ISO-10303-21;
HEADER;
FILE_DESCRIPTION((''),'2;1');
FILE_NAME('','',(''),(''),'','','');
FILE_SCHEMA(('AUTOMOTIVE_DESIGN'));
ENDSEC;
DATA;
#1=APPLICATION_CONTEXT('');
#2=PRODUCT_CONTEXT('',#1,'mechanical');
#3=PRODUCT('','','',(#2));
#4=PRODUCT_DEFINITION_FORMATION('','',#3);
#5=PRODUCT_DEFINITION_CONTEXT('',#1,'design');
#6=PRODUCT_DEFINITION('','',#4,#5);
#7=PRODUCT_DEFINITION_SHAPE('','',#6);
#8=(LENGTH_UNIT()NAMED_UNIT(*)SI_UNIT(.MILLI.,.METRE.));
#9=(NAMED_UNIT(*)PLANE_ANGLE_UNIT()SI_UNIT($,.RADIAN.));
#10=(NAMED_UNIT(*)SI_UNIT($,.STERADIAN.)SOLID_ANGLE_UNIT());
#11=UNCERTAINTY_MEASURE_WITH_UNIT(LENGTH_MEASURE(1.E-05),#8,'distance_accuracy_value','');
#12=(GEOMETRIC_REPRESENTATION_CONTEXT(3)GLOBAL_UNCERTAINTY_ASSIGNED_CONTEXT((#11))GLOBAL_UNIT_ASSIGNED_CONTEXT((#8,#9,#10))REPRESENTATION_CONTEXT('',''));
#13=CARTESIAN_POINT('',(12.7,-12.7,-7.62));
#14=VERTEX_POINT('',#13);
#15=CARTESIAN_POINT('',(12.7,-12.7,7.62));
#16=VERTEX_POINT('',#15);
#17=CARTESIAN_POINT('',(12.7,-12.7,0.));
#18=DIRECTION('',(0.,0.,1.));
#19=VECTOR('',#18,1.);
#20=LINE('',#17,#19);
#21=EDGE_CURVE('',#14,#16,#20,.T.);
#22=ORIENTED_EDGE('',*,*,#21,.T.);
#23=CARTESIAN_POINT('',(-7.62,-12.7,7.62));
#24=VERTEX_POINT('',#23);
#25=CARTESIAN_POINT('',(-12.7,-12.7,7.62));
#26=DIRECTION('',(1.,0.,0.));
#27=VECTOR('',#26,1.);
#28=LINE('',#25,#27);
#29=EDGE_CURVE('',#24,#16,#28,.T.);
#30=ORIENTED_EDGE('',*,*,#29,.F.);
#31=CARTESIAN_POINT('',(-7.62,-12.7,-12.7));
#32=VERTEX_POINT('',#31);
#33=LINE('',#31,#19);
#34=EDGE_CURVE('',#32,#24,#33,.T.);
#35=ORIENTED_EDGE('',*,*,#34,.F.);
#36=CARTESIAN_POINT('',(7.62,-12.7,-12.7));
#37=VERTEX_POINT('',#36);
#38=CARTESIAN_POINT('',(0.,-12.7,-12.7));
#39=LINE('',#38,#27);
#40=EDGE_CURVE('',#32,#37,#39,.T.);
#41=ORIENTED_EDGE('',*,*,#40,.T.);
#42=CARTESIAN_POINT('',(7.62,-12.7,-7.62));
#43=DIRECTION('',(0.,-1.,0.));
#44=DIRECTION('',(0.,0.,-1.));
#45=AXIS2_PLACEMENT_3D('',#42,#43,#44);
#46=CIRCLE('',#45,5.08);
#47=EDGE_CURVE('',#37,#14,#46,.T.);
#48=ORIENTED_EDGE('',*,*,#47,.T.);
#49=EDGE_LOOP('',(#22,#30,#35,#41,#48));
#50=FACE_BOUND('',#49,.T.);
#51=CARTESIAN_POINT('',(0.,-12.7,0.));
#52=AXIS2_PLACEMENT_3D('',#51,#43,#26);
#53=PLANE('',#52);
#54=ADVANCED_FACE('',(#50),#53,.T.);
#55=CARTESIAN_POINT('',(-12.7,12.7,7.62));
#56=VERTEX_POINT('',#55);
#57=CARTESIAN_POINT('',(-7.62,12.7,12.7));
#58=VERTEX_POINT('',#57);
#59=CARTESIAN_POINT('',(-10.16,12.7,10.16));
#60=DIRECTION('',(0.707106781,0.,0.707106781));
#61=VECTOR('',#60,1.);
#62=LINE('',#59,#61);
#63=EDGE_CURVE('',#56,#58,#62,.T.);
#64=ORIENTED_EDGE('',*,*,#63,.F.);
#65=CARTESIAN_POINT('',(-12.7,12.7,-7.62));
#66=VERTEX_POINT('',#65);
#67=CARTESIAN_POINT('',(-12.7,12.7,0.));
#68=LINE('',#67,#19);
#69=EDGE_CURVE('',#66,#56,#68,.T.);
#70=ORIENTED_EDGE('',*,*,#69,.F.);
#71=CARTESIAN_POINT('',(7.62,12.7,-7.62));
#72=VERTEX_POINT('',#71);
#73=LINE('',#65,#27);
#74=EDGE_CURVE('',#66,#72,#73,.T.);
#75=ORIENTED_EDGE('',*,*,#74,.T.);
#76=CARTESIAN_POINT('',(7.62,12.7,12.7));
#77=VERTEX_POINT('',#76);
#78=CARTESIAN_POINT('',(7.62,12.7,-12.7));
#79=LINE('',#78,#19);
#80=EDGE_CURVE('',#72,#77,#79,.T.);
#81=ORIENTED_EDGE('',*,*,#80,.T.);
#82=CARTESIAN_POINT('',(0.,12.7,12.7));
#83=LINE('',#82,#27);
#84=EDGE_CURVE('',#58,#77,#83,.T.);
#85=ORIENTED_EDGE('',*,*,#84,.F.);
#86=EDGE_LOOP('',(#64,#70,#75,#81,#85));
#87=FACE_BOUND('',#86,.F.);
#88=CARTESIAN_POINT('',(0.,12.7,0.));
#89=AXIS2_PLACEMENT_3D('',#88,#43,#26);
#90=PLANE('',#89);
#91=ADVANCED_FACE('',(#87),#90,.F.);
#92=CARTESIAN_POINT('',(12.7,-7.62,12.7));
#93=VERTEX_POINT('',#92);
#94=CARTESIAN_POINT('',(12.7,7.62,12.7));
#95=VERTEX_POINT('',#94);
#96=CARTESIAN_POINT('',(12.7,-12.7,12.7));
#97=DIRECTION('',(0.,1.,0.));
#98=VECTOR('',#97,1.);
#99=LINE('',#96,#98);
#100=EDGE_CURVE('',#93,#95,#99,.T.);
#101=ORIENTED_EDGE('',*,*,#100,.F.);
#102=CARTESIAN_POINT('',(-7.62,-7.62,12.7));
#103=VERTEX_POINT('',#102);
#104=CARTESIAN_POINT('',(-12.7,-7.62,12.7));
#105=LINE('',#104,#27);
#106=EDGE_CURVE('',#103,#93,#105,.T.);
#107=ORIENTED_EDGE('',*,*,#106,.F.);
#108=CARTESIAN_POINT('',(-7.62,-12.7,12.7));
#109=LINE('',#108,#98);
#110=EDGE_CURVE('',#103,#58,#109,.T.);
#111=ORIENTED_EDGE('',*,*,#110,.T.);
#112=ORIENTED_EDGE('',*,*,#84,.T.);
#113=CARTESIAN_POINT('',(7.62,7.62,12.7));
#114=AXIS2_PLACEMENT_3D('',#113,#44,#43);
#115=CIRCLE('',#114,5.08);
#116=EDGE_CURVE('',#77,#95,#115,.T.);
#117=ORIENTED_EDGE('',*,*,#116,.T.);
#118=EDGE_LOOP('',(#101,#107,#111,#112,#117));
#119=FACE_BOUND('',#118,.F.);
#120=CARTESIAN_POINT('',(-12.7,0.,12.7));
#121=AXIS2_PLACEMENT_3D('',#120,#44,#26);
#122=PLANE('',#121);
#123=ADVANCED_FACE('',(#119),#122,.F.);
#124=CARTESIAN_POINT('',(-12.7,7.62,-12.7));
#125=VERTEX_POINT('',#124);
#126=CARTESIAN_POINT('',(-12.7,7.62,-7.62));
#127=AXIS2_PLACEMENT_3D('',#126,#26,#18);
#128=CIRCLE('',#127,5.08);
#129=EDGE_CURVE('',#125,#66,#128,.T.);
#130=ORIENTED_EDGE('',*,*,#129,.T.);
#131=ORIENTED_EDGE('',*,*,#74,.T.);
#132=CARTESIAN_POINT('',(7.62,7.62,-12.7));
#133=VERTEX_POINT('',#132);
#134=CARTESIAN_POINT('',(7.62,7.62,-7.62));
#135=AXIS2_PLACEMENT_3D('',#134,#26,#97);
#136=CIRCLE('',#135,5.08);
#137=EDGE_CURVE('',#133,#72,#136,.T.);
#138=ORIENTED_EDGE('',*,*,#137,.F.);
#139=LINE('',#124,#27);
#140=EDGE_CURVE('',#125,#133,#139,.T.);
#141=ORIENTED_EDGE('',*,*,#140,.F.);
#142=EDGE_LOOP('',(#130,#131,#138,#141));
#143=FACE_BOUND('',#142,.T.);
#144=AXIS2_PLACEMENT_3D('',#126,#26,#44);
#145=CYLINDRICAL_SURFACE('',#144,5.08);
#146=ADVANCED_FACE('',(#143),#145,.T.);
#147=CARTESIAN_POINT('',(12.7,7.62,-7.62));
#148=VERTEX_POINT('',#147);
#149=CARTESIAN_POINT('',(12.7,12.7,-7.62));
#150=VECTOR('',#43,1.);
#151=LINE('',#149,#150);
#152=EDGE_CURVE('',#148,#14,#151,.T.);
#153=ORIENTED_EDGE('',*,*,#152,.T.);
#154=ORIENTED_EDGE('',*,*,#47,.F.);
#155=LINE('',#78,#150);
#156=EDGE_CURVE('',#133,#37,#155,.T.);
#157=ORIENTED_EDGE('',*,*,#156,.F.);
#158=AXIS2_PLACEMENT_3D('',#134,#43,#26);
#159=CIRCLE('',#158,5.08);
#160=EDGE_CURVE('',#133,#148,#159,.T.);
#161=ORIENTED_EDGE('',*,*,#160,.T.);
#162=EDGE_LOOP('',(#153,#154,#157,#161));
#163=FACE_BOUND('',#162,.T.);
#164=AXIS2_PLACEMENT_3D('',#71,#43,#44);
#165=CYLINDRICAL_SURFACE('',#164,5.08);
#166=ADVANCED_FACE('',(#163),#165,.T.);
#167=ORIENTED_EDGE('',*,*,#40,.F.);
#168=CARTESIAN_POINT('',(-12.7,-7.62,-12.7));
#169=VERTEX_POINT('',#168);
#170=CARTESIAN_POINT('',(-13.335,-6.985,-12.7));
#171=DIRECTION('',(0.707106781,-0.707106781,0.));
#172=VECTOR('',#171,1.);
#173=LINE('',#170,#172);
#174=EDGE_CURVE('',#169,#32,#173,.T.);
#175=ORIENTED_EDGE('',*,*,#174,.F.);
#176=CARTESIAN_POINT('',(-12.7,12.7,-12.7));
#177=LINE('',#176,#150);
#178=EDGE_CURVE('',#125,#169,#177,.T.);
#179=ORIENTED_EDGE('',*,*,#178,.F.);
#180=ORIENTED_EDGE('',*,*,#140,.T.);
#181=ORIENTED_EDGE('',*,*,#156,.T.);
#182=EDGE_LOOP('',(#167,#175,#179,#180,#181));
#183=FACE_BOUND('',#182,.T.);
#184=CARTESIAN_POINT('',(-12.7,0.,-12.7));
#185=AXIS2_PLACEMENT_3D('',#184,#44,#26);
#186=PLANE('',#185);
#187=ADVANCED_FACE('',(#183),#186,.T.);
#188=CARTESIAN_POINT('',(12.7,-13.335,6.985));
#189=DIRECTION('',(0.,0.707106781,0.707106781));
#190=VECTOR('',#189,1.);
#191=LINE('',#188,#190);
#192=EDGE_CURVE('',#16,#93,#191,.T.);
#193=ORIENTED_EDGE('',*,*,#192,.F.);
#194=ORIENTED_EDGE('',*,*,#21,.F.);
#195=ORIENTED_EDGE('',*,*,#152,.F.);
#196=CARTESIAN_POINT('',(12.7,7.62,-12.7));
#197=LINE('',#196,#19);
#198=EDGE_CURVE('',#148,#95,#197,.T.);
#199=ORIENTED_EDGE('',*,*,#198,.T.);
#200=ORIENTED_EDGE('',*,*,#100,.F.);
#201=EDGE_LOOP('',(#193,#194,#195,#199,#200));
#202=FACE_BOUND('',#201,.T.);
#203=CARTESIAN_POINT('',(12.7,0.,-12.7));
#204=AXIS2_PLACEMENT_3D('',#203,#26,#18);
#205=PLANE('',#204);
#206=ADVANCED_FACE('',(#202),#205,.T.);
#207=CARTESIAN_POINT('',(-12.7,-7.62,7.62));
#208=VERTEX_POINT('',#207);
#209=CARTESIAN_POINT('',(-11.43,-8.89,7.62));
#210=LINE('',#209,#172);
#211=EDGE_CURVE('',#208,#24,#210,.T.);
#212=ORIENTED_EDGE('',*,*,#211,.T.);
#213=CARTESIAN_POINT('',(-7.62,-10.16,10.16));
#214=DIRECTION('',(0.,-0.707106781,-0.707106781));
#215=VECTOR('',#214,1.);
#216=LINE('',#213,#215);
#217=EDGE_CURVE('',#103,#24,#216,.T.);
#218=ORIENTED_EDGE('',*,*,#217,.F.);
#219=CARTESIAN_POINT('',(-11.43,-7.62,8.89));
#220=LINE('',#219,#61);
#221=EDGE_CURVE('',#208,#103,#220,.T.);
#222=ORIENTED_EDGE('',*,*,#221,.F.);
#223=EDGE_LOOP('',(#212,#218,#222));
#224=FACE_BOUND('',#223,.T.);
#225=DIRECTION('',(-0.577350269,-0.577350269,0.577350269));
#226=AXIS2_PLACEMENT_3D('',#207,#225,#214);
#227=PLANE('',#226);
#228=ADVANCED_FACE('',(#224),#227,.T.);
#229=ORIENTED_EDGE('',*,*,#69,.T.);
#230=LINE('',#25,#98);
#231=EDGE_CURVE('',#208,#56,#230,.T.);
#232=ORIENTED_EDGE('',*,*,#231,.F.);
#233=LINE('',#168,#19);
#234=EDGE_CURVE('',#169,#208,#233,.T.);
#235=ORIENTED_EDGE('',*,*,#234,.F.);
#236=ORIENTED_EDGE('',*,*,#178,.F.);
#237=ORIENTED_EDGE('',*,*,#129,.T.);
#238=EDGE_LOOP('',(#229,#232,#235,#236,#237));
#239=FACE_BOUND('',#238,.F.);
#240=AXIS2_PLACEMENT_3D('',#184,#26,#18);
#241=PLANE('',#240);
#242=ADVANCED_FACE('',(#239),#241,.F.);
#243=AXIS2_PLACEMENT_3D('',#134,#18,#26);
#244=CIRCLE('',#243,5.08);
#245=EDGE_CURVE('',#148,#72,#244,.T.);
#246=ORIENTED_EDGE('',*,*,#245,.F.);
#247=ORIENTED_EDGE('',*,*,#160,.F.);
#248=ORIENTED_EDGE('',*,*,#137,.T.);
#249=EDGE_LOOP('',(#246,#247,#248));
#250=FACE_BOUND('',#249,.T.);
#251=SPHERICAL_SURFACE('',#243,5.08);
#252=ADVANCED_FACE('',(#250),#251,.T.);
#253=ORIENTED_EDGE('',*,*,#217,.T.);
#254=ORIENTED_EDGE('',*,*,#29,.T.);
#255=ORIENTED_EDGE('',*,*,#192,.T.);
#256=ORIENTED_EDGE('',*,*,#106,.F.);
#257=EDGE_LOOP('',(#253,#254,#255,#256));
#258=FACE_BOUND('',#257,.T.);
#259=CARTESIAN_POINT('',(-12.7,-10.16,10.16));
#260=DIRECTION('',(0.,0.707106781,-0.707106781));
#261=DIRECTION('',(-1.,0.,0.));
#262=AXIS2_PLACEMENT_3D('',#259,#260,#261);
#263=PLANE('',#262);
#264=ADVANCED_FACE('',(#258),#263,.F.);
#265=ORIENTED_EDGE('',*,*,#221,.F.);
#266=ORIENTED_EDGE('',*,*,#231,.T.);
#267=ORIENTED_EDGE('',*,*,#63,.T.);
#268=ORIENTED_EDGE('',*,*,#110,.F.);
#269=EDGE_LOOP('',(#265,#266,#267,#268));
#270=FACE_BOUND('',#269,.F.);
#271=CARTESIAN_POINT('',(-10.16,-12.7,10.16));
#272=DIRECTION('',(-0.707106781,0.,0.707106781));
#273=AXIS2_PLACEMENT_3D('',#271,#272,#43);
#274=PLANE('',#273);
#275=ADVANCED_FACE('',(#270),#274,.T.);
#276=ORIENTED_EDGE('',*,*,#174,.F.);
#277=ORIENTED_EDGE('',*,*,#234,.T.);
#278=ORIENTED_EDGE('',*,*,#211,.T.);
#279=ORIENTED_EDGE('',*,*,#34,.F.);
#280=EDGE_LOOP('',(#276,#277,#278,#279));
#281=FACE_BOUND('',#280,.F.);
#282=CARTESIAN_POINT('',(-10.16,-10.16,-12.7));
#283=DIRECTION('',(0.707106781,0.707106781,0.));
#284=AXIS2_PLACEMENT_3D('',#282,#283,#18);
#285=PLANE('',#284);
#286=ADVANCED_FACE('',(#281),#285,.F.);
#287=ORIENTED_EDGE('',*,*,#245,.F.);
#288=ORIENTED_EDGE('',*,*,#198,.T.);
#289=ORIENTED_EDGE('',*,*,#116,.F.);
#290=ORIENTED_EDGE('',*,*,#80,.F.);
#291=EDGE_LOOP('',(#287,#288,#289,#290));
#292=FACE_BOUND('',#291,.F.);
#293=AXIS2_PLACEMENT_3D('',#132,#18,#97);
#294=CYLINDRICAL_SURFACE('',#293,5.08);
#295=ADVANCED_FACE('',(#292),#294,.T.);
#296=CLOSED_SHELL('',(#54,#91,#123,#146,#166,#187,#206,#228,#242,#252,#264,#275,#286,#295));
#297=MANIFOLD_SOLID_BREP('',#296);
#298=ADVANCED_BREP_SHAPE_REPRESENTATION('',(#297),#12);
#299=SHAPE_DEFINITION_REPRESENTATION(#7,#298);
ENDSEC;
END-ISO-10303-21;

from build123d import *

# Parameters (mm, degrees)
F0_W     = 25.4
F0_H     = 25.4
F1_DEPTH = 12.7
F2_SIZE  = 5.08
F3_R     = 5.08


with BuildPart() as f1:
    # F0 (on Front) → F1 (new body, symmetric)
    with BuildSketch(Plane.XZ):
        Rectangle(F0_W, F0_H)
    extrude(amount=F1_DEPTH, both=True)

    # F2
    f2_edges = [f1.edges().sort_by_distance(p)[0] for p in [
        (0, -12.7, 12.7),
        (-12.7, 0, 12.7),
        (-12.7, -12.7, 0),
    ]]
    chamfer(f2_edges, length=F2_SIZE)

    # F3
    f3_edges = [f1.edges().sort_by_distance(p)[0] for p in [
        (12.7, 12.7, 0),
        (12.7, 0, -12.7),
        (0, 12.7, -12.7),
    ]]
    fillet(f3_edges, radius=F3_R)


solid = f1.part
